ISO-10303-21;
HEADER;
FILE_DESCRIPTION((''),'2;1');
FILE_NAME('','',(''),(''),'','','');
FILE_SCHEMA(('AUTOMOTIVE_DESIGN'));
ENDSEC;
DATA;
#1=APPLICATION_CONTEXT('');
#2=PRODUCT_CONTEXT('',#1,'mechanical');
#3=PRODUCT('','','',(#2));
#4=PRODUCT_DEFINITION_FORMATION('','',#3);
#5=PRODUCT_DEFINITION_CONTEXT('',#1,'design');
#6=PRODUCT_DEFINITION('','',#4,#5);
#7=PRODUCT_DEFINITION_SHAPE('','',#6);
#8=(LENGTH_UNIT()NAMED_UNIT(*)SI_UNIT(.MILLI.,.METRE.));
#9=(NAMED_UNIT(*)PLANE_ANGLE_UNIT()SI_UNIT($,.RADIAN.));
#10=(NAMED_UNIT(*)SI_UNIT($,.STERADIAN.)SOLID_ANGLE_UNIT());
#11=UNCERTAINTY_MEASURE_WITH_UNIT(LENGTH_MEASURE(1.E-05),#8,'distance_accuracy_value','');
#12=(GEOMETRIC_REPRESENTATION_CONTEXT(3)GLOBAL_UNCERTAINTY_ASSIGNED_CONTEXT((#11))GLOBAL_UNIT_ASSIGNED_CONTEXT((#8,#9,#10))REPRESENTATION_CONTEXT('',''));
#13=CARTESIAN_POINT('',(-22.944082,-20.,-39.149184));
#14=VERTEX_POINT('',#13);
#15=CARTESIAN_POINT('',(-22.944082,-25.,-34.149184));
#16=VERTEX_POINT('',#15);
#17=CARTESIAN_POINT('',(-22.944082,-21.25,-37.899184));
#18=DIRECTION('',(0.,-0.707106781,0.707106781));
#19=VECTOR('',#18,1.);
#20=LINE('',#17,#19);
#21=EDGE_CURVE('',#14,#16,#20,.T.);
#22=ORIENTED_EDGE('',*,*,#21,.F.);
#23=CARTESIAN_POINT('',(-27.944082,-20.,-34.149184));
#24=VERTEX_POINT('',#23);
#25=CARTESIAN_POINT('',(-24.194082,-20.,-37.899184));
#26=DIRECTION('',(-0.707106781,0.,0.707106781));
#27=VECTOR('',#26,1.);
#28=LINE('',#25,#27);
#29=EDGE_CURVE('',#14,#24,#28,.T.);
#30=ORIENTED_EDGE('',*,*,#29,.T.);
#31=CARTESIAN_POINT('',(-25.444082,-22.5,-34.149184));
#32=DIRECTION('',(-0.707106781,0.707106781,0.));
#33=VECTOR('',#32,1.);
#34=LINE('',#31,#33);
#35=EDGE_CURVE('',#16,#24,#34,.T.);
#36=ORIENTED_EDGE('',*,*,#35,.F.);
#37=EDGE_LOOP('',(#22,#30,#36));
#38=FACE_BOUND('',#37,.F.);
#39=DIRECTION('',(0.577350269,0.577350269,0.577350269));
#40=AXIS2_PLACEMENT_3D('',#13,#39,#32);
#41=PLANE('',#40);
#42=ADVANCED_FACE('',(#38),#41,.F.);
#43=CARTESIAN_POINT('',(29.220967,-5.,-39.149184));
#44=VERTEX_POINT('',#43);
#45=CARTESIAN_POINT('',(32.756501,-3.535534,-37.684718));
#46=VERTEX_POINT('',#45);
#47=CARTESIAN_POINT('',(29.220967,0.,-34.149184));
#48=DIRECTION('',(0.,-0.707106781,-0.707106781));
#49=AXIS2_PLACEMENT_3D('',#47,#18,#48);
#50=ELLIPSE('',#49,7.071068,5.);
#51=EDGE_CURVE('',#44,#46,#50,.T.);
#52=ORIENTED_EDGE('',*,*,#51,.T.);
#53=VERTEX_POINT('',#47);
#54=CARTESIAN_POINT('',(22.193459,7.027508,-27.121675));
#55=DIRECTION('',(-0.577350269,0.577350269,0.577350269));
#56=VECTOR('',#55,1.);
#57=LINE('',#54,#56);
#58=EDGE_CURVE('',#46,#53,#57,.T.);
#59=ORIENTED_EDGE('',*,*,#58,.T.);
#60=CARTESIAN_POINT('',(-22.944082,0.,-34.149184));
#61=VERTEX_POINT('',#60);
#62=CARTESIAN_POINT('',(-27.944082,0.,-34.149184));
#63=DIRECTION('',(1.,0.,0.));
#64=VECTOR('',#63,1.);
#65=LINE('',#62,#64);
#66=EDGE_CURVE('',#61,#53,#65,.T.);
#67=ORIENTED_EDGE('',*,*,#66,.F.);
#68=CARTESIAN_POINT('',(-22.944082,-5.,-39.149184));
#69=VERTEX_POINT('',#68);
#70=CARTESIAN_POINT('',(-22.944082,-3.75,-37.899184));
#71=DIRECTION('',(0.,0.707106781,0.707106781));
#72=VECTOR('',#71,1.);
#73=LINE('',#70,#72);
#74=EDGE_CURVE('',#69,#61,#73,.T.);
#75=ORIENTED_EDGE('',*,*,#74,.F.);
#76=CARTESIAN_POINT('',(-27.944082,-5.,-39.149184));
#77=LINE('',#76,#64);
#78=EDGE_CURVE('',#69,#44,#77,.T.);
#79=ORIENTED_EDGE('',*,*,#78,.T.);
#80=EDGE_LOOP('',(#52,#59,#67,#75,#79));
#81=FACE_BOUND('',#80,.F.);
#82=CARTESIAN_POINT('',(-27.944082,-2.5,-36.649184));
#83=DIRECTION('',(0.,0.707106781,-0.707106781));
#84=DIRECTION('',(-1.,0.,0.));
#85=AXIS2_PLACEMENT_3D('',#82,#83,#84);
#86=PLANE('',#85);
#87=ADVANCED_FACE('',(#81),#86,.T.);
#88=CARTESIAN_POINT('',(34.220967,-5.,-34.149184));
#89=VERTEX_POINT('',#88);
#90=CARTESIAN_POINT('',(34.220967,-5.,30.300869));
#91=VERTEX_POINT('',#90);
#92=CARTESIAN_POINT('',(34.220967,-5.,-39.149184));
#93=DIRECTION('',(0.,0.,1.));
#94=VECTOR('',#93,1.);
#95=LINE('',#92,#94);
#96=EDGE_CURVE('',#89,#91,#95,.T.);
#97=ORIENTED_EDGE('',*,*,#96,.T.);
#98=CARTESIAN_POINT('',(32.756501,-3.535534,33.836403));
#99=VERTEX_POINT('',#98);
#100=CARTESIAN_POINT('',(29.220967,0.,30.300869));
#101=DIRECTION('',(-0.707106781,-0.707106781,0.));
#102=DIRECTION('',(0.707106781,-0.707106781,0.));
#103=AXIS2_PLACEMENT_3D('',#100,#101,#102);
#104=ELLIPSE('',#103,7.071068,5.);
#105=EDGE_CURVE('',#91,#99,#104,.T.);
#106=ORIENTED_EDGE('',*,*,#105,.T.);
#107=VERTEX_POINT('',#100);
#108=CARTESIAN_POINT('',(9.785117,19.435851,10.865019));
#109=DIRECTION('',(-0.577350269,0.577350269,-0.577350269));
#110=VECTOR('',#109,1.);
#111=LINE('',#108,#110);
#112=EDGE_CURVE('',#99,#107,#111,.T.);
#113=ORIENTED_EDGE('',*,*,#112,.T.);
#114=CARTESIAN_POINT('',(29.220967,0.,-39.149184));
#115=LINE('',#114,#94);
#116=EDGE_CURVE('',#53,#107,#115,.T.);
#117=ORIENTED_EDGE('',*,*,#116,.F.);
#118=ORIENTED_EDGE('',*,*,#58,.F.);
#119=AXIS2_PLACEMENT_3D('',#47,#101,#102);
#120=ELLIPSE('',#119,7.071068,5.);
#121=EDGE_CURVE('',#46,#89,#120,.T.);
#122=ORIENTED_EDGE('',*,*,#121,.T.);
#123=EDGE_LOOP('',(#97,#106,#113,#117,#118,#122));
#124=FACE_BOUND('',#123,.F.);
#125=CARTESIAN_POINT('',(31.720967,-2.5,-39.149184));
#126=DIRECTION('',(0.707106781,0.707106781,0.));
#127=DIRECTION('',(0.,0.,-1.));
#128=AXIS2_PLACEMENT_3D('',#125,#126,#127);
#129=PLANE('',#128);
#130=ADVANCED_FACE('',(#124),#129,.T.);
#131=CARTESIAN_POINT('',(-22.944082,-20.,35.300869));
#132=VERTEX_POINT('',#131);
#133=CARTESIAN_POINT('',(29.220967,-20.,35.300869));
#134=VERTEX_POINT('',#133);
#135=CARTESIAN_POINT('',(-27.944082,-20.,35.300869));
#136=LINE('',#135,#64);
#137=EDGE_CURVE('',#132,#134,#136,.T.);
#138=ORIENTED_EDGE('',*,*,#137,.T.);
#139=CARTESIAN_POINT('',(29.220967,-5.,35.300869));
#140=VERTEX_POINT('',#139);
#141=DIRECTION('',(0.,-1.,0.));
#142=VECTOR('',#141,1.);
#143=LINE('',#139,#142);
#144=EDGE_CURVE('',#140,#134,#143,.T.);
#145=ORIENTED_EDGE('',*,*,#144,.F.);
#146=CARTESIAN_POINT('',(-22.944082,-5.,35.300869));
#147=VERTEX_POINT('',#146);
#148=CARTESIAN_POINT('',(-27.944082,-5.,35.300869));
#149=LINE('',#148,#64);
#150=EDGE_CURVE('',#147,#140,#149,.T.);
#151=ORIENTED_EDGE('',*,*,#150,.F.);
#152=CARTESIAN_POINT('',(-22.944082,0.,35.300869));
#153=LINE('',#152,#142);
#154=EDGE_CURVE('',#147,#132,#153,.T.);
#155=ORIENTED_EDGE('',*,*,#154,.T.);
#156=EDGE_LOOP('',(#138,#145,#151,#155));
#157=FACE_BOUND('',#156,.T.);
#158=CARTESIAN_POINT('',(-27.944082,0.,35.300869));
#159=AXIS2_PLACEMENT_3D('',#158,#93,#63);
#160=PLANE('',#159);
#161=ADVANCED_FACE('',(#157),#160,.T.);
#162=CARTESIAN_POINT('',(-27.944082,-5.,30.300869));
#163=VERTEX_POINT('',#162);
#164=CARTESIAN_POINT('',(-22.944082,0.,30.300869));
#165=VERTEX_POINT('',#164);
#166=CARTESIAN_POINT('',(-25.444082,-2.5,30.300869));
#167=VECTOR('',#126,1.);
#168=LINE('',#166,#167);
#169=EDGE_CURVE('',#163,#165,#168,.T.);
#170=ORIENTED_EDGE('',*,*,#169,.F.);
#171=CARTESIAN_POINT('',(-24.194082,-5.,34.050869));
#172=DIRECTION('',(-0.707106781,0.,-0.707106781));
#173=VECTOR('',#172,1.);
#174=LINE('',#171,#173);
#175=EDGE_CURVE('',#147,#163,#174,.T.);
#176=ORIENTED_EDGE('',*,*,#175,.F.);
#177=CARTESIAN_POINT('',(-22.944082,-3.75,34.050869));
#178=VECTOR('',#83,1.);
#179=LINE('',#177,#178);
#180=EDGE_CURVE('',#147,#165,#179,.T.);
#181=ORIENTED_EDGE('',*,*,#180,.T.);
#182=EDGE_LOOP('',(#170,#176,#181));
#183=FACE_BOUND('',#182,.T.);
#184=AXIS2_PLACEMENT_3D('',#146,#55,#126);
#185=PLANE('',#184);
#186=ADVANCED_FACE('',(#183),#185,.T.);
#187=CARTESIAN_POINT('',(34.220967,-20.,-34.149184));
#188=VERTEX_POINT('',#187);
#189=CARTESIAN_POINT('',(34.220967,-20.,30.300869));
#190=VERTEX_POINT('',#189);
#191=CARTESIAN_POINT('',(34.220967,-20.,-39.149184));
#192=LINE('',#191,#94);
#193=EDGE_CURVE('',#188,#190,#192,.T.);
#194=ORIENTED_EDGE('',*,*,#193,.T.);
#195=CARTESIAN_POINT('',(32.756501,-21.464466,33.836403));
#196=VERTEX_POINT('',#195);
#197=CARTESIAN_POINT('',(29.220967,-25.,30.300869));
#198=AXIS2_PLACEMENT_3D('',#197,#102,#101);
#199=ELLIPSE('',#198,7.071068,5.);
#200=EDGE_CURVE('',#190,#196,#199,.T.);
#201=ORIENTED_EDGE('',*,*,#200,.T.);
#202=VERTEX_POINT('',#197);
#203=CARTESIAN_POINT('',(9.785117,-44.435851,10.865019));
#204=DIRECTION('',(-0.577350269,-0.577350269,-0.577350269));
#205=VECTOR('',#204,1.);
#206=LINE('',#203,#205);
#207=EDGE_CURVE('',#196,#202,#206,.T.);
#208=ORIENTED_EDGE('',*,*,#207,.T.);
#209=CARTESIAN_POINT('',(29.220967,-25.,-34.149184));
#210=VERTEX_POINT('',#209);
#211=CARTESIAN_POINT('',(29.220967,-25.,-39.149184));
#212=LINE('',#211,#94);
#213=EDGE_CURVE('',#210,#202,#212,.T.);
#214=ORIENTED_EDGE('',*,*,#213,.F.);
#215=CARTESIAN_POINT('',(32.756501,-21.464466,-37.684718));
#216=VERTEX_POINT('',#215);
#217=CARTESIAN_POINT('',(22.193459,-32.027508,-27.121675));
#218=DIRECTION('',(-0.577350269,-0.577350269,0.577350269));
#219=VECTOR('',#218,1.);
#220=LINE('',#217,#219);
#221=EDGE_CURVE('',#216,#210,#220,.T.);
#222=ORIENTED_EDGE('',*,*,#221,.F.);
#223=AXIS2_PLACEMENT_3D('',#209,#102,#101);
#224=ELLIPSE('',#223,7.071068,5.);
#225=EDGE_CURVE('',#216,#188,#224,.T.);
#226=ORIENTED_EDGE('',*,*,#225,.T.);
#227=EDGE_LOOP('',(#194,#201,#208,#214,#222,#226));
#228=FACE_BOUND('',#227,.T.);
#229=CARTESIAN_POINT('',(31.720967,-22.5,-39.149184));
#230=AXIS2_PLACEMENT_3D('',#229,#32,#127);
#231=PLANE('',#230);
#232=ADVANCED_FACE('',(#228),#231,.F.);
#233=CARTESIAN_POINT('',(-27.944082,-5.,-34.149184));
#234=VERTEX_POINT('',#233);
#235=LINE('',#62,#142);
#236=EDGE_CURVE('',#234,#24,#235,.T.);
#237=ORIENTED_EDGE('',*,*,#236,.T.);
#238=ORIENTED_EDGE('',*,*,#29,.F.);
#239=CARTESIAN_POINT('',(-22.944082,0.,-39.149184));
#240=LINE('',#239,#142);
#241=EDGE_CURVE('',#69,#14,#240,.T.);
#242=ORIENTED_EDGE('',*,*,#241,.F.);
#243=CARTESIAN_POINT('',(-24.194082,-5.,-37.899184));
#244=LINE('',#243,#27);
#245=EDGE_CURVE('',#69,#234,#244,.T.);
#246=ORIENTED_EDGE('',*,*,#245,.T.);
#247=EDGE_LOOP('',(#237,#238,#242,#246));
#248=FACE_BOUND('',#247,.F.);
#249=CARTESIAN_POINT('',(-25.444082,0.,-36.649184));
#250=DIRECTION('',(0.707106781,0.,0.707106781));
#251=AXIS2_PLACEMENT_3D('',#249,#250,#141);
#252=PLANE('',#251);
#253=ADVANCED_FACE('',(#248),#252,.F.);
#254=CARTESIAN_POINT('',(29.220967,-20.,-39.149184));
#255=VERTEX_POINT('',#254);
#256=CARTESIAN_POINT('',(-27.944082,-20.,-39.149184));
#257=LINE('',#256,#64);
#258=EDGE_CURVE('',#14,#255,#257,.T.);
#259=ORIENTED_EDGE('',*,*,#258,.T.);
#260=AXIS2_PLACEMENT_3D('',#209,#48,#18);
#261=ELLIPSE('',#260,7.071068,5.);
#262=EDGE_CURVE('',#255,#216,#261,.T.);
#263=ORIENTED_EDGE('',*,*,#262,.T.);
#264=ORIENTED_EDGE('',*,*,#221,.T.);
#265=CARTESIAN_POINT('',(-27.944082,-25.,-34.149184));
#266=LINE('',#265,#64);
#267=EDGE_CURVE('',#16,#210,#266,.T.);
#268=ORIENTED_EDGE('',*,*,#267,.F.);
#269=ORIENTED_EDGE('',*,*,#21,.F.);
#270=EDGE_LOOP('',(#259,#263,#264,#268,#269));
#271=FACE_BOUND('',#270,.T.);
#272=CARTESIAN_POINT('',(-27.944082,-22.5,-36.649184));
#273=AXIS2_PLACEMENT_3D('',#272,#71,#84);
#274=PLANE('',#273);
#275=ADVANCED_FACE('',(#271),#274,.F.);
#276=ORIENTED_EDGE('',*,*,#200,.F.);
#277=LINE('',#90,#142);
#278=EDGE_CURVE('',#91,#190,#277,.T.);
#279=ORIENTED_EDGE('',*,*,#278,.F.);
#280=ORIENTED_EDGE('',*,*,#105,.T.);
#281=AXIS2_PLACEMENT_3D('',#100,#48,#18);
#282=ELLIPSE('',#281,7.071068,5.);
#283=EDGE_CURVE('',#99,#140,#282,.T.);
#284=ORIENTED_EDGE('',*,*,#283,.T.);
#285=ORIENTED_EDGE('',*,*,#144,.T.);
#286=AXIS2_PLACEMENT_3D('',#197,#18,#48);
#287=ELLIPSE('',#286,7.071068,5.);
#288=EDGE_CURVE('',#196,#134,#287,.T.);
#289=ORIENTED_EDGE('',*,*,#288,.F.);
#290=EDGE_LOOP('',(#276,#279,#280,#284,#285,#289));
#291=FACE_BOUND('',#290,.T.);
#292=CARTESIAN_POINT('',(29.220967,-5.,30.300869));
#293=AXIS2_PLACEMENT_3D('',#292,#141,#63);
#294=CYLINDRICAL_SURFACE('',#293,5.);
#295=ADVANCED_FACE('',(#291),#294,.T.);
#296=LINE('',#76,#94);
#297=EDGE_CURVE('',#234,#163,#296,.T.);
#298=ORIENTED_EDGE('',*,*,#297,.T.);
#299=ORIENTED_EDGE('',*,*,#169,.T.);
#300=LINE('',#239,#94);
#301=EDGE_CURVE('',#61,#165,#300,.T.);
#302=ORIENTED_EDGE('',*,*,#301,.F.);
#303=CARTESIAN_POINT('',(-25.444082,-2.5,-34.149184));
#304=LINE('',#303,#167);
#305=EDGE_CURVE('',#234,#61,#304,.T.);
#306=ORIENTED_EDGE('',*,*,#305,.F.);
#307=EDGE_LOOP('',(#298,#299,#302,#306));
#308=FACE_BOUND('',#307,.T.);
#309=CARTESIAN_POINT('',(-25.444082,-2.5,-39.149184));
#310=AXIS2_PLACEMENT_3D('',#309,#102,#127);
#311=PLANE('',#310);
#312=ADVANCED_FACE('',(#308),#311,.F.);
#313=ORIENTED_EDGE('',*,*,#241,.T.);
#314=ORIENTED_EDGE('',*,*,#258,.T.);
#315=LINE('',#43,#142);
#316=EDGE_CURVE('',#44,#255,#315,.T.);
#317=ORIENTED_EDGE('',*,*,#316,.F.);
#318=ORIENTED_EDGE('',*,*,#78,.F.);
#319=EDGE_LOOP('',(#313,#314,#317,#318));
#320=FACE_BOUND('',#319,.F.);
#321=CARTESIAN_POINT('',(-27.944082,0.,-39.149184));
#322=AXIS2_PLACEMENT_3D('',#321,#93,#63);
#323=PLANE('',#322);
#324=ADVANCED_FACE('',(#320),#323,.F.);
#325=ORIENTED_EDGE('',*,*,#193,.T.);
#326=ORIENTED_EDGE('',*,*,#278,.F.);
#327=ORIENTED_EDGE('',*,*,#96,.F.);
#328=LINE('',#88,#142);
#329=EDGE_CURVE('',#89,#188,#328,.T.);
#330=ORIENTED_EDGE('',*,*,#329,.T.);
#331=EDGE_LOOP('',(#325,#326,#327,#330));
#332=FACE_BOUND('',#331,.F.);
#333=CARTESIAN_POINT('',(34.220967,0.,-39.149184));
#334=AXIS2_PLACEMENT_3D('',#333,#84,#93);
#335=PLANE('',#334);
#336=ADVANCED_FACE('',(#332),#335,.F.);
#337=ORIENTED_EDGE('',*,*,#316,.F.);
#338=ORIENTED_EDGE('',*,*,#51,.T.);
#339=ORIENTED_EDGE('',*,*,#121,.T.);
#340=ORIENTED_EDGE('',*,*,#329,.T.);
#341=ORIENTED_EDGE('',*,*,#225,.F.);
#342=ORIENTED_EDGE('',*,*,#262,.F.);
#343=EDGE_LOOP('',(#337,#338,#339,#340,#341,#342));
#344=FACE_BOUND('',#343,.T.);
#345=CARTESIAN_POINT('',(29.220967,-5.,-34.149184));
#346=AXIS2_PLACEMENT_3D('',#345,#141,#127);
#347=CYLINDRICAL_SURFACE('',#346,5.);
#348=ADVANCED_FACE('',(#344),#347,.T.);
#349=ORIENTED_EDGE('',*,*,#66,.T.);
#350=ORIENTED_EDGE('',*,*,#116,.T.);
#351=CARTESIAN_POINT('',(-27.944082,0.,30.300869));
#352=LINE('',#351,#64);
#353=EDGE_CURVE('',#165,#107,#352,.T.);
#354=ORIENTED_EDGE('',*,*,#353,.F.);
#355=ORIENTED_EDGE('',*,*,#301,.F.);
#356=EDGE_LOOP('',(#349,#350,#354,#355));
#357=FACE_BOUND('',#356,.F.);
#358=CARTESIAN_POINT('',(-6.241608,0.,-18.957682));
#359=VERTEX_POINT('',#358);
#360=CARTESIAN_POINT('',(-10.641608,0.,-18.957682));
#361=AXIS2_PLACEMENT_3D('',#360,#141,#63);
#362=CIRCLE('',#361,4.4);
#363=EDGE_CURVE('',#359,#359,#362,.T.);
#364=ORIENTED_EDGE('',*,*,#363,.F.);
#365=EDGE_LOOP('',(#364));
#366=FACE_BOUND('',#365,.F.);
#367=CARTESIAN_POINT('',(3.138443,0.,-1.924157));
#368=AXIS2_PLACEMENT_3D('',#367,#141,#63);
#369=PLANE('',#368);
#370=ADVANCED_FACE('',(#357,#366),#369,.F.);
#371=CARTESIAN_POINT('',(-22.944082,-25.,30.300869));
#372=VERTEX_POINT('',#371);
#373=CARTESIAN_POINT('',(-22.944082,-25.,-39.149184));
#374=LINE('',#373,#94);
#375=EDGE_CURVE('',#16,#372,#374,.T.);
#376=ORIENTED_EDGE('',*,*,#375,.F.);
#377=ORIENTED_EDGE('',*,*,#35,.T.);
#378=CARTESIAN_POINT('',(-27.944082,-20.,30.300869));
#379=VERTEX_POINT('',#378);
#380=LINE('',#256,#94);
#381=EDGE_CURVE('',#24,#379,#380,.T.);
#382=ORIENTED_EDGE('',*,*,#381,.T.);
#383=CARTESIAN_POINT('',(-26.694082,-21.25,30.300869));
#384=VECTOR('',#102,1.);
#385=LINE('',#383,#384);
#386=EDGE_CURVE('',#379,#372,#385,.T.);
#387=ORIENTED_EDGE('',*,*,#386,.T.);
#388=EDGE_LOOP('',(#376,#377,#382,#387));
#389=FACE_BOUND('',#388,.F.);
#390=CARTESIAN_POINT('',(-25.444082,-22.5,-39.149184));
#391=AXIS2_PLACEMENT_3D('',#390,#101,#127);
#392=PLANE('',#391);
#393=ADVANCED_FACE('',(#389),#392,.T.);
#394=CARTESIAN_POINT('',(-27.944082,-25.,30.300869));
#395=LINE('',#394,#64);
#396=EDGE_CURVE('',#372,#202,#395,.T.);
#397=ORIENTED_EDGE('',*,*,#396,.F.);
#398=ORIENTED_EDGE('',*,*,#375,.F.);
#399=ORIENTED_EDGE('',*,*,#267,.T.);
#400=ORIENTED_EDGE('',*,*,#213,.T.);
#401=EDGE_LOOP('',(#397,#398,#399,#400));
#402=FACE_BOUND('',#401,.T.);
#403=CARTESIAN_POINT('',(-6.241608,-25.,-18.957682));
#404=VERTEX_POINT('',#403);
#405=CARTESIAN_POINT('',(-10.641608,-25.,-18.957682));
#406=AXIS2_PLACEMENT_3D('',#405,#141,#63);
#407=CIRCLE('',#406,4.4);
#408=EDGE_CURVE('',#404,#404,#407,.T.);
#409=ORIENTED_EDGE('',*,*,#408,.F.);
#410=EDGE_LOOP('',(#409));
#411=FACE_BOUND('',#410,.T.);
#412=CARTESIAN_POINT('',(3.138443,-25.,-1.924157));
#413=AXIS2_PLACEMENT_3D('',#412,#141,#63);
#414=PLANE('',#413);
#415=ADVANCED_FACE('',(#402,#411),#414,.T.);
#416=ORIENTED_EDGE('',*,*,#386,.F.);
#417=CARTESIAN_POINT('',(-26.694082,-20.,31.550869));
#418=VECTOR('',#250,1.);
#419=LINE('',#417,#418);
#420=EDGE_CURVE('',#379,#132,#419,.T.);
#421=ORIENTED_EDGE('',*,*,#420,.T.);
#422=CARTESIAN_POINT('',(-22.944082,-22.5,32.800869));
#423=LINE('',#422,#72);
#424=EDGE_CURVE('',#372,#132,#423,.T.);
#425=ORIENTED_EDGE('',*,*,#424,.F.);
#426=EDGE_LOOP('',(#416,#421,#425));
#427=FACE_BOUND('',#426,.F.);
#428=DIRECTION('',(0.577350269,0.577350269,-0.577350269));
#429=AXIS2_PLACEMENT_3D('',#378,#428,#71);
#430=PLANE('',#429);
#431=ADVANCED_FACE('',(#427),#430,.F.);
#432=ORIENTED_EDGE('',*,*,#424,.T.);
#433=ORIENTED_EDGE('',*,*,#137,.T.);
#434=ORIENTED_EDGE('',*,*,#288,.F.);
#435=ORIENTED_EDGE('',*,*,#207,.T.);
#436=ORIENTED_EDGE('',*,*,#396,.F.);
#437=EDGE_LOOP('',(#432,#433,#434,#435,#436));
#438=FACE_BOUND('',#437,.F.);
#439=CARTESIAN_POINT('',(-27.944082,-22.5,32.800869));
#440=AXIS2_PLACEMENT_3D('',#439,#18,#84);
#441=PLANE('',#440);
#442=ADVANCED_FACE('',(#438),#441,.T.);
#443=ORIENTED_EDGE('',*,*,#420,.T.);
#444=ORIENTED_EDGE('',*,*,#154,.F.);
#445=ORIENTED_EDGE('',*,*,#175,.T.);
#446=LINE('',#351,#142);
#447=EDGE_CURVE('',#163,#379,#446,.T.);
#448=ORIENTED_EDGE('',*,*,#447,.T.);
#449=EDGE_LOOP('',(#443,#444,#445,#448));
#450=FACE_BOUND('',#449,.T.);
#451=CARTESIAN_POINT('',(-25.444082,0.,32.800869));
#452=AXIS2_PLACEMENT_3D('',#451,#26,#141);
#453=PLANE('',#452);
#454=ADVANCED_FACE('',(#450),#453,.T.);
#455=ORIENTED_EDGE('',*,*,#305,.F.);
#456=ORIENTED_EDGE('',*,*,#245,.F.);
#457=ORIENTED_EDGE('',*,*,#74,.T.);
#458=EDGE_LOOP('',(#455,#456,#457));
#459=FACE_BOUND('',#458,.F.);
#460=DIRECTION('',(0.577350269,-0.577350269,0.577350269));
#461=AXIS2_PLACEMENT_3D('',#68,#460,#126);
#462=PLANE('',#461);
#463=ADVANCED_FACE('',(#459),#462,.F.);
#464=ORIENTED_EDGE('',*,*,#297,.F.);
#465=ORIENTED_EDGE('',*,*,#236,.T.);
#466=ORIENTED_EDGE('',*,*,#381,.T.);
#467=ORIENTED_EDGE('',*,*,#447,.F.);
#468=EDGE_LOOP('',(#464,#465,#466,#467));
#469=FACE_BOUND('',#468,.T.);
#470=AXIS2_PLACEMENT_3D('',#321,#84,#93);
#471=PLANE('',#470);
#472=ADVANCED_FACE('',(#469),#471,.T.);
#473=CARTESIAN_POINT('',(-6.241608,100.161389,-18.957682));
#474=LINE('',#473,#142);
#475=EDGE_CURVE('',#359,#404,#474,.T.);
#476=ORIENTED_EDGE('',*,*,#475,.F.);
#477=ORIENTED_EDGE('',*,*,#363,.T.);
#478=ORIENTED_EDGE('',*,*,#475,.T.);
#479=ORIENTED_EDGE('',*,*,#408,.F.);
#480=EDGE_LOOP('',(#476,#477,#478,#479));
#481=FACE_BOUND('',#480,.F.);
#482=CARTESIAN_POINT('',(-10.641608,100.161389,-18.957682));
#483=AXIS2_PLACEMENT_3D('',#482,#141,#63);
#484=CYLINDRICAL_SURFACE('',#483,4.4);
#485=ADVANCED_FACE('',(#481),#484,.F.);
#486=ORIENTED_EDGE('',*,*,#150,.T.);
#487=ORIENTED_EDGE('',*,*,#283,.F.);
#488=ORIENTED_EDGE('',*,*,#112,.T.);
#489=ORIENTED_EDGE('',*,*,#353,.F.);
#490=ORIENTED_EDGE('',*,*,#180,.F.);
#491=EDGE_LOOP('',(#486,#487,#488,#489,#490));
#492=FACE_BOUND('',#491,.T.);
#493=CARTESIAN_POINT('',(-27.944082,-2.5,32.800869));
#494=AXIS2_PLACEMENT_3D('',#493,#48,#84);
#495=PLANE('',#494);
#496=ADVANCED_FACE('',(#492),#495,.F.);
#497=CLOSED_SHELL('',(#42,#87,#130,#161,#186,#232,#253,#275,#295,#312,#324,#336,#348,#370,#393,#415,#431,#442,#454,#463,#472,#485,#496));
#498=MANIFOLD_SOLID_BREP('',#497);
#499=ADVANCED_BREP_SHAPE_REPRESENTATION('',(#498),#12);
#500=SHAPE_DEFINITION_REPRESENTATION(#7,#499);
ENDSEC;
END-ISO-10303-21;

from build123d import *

# Parameters (mm, degrees)
F0_W     = 62.165049836
F0_H     = 74.4500532746
F1_DEPTH = 25
F2_SIZE  = 5
F4_D     = 8.8
F5_R     = 5
F6_R     = 5


with BuildPart() as f1:
    # F0 (on Front) → F1 (new body)
    with BuildSketch(Plane.XZ):
        with Locations((3.1384425238, -1.9241571426)):
            Rectangle(F0_W, F0_H)
    extrude(amount=F1_DEPTH)

    # F2
    f2_edges = [f1.edges().sort_by_distance(p)[0] for p in [
        (-27.944082, 0, -1.924157),
        (3.138443, -25, 35.300869),
        (-27.944082, -25, -1.924157),
        (3.138443, -25, -39.149184),
        (34.220967, -25, -1.924157),
        (-27.944082, -12.5, 35.300869),
        (-27.944082, -12.5, -39.149184),
        (3.138443, 0, -39.149184),
        (34.220967, 0, -1.924157),
        (3.138443, 0, 35.300869),
    ]]
    chamfer(f2_edges, length=F2_SIZE)

    # F4 (through all)
    with Locations(Plane(origin=(0, 0, 0), x_dir=(-1, 0, 0), z_dir=(0, 1, 0))):
        with Locations((10.6416083872, -18.9576819539)):
            Hole(F4_D / 2)

    # F5
    f5_edges = [f1.edges().sort_by_distance(p)[0] for p in [
        (34.220967, -12.5, -39.149184),
    ]]
    fillet(f5_edges, radius=F5_R)

    # F6
    f6_edges = [f1.edges().sort_by_distance(p)[0] for p in [
        (34.220967, -12.5, 35.300869),
    ]]
    fillet(f6_edges, radius=F6_R)


solid = f1.part
